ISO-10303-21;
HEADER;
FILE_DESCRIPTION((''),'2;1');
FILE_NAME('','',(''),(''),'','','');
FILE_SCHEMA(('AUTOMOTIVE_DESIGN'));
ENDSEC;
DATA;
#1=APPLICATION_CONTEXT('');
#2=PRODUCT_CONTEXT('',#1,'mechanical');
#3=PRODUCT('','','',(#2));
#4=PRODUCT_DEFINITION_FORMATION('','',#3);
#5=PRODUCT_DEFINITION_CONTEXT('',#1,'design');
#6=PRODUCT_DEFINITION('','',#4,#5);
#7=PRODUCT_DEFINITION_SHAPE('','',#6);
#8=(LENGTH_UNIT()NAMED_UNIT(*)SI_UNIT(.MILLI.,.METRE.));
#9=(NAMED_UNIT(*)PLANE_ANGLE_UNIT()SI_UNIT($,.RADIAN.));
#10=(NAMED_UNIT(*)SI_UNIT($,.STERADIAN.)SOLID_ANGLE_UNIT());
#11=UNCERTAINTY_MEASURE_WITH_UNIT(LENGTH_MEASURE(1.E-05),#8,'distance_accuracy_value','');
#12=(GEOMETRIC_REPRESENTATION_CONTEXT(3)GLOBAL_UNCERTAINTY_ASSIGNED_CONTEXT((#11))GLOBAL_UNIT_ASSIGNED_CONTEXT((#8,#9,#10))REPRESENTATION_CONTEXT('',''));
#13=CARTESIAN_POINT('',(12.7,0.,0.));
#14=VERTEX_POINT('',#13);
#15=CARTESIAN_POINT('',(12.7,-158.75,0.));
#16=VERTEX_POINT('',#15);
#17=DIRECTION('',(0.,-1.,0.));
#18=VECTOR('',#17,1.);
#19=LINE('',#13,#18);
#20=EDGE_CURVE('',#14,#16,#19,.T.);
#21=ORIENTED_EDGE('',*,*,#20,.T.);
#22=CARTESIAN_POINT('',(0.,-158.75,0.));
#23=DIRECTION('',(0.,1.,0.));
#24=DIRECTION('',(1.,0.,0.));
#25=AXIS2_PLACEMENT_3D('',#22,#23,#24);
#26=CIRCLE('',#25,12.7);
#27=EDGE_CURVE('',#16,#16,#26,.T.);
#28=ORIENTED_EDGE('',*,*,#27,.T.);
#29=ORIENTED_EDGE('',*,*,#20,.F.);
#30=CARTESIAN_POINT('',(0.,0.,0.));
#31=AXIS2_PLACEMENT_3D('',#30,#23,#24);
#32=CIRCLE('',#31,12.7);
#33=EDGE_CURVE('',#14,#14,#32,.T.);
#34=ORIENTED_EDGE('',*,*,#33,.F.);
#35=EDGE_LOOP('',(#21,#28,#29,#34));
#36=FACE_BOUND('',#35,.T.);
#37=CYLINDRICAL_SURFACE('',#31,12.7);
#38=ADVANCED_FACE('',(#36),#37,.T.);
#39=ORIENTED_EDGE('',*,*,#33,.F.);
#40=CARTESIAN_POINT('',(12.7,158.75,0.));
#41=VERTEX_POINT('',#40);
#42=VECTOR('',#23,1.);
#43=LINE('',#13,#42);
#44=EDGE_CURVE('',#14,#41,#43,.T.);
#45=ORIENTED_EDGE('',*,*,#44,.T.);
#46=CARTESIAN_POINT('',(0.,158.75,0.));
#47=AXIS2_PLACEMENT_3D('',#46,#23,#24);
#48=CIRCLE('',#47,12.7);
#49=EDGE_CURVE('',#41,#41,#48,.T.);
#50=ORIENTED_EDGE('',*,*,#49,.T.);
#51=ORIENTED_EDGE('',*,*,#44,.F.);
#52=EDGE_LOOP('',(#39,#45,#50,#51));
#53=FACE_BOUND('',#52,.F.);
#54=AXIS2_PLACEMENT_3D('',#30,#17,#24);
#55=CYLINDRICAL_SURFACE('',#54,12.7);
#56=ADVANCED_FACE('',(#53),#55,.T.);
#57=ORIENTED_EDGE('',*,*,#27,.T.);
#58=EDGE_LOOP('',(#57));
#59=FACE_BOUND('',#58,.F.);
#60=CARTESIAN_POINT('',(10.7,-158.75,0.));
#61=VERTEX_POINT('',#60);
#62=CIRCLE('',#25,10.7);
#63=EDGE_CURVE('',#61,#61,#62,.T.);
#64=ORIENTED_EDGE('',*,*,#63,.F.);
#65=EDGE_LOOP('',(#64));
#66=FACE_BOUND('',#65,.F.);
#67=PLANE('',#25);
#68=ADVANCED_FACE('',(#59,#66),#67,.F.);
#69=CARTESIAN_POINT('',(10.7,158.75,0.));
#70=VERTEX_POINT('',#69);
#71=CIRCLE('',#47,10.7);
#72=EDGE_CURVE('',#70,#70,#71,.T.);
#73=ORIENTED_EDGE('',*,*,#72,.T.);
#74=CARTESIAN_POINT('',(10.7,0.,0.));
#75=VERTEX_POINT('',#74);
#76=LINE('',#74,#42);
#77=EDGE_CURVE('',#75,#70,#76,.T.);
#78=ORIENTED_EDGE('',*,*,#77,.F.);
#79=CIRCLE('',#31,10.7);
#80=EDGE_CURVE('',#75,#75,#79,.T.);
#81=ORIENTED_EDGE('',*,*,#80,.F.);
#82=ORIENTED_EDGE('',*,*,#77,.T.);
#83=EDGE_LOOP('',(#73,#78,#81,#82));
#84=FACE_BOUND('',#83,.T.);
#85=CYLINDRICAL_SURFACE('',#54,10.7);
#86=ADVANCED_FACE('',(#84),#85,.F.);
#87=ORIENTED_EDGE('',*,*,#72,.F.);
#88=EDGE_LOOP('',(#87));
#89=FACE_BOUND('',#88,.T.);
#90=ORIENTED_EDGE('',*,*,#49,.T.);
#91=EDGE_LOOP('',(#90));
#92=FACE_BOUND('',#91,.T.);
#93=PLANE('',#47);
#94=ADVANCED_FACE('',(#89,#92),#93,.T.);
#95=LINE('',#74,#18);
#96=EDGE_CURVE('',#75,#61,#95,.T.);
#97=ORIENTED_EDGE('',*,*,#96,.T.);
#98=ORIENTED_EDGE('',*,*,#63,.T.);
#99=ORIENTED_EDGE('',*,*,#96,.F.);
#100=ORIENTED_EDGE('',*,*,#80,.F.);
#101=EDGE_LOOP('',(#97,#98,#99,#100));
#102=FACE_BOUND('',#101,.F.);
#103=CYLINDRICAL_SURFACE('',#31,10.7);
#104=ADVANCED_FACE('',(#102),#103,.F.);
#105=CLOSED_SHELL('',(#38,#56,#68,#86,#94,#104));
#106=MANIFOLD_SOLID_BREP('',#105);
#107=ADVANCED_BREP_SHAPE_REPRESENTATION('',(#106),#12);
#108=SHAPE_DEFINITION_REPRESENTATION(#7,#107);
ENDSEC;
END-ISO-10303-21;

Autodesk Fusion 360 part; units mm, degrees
sketch "Sketch1" plane through (0, 0, 0) normal (0, 1, 0) x (1, 0, 0)
  circle A0 centre (0, 0) radius 12.7
  circle A1 centre (0, 0) radius 10.7
  dimension "d1" = 25.4
  dimension "d2" = -2
extrude "Extrude1" add sketch "Sketch1" along normal mid plane 317.5
